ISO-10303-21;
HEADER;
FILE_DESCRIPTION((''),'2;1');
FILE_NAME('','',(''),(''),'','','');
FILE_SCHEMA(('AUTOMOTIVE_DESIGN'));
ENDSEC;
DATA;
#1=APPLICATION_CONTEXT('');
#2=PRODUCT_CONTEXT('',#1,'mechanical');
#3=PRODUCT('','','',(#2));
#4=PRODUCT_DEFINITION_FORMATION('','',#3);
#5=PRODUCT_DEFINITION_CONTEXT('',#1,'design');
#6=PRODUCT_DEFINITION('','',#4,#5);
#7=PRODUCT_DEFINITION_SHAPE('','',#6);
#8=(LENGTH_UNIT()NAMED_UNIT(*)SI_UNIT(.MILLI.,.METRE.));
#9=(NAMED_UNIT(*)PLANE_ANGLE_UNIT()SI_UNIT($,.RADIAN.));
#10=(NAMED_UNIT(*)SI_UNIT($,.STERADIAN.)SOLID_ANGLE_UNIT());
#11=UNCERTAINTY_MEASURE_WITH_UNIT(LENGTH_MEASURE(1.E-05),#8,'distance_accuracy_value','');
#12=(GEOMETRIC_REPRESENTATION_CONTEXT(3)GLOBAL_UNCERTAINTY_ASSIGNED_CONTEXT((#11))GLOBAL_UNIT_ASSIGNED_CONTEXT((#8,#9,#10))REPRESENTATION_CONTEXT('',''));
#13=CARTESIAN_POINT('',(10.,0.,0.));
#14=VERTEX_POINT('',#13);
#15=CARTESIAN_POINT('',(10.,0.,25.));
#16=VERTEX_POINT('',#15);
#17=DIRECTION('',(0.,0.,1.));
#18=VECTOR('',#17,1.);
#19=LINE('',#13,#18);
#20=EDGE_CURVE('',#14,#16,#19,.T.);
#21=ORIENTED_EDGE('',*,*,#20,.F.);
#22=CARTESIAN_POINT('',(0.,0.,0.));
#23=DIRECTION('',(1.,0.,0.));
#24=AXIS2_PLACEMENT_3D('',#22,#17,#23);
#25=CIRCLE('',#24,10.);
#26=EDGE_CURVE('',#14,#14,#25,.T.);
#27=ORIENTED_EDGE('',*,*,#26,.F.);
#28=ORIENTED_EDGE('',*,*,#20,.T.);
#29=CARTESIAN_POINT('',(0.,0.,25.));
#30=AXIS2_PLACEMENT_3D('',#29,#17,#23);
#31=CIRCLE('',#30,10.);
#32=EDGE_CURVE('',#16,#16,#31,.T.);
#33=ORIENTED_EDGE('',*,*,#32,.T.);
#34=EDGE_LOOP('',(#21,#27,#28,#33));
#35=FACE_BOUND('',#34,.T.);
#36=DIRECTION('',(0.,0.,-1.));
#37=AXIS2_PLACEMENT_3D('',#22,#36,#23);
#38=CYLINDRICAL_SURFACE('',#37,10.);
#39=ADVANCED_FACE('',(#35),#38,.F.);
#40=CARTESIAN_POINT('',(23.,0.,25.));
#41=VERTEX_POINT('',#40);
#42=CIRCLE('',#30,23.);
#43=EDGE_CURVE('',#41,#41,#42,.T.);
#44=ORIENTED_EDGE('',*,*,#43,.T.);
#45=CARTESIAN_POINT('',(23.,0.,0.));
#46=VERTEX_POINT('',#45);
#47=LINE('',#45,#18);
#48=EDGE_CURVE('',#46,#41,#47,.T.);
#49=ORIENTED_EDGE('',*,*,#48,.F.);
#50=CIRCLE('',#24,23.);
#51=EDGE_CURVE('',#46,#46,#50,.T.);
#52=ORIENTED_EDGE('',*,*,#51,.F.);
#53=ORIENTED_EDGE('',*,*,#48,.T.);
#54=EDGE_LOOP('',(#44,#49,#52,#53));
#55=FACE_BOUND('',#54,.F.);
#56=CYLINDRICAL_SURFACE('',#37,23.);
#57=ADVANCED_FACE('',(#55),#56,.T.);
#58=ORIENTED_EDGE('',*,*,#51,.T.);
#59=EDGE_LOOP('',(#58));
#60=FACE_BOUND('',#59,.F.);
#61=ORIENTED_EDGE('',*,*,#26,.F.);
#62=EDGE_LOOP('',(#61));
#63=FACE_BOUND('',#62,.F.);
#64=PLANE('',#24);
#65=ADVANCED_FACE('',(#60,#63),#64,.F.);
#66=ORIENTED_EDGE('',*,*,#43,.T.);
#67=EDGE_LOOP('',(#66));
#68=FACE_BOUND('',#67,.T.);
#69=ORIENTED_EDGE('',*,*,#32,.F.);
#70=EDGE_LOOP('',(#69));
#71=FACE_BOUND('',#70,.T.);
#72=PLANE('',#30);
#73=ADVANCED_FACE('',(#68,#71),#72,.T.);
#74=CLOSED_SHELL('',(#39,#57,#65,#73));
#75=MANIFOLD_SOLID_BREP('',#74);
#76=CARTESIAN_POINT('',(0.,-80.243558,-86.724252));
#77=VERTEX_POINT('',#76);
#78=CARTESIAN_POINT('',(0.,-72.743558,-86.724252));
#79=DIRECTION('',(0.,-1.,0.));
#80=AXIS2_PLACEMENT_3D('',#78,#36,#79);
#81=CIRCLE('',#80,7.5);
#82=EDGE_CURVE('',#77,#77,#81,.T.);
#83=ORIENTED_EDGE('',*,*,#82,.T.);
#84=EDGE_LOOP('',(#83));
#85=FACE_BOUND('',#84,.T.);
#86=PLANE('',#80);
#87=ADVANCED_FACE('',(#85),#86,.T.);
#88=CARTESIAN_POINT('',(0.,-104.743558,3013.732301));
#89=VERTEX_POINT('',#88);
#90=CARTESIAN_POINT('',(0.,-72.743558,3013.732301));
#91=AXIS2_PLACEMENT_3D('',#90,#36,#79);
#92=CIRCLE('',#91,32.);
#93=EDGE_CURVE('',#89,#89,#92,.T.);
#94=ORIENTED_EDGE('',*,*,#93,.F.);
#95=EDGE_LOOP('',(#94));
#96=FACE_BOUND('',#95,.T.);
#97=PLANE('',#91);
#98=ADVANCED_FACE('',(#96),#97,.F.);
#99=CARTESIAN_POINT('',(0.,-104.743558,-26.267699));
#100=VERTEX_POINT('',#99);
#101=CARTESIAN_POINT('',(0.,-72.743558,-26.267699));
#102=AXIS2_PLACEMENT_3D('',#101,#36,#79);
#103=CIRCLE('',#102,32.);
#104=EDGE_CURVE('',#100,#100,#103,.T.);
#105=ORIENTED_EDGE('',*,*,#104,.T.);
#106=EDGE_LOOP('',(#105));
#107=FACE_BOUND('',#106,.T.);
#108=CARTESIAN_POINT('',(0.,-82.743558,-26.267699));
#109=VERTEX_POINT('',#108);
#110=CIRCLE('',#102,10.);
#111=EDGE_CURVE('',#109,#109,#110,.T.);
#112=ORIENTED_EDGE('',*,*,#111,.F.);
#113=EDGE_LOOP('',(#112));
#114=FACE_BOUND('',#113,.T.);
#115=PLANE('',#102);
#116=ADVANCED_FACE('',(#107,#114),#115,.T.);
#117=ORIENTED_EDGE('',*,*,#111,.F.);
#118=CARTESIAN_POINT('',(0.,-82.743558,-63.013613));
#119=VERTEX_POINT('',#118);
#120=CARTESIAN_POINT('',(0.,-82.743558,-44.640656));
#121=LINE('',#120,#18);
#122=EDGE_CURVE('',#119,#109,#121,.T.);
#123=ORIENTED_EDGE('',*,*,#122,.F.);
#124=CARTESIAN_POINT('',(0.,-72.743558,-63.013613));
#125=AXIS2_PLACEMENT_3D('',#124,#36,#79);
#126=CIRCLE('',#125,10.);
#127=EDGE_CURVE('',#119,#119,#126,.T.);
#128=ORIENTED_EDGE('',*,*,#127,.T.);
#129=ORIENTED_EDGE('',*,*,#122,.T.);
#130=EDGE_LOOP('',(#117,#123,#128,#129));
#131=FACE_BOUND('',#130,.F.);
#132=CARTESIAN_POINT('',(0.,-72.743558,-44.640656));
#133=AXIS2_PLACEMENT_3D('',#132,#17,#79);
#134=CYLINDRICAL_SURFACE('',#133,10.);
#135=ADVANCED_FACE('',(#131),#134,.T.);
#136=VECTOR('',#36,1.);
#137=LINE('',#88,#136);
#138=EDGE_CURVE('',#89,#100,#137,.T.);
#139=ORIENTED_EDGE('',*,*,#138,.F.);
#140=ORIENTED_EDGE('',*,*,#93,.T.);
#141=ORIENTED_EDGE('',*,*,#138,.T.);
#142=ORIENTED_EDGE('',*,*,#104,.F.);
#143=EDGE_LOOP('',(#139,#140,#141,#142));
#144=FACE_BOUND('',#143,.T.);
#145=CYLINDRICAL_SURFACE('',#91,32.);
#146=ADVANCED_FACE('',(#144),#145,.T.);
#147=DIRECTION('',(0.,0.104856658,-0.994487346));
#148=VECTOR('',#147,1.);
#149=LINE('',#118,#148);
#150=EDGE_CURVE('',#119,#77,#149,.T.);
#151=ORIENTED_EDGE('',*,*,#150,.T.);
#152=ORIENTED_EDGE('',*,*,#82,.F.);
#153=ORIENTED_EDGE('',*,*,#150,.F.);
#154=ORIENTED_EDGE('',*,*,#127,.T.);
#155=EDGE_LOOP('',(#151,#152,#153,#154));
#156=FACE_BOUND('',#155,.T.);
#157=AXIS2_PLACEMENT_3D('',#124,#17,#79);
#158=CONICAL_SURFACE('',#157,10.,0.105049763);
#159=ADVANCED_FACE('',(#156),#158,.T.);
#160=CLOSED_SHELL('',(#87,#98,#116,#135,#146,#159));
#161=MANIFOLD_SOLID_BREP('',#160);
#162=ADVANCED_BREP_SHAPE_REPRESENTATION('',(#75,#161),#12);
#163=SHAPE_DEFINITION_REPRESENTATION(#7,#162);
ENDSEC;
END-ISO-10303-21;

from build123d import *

# Parameters (mm, degrees)
F0_R     = 23
F0_R_2   = 10
F1_DEPTH = 25
F2_W     = 10
F2_H     = 36.745914


with BuildPart() as f1:
    # F0 (on Top) → F1 (new body)
    with BuildSketch(Plane.XY):
        Circle(F0_R)
        Circle(F0_R_2, mode=Mode.SUBTRACT)
    extrude(amount=F1_DEPTH)


with BuildPart() as f3:
    # F2 (on Right) → F3 (revolve)
    with BuildSketch(Plane.YZ):
        with Locations((-77.743558, -44.640656)):
            Rectangle(F2_W, F2_H)
        Polygon((-72.743558, -86.724252), (-72.743558, -63.013613), (-82.743558, -63.013613), (-80.243558, -86.724252), align=None)
        Polygon((-72.743558, 3013.732301), (-104.743558, 3013.732301), (-104.743558, -26.267699), (-82.743558, -26.267699), (-72.743558, -26.267699), align=None)
    revolve(axis=Axis((0, -72.743558, 1493.732301), (0, 0, -1)))


solid = Compound([f1.part, f3.part])
